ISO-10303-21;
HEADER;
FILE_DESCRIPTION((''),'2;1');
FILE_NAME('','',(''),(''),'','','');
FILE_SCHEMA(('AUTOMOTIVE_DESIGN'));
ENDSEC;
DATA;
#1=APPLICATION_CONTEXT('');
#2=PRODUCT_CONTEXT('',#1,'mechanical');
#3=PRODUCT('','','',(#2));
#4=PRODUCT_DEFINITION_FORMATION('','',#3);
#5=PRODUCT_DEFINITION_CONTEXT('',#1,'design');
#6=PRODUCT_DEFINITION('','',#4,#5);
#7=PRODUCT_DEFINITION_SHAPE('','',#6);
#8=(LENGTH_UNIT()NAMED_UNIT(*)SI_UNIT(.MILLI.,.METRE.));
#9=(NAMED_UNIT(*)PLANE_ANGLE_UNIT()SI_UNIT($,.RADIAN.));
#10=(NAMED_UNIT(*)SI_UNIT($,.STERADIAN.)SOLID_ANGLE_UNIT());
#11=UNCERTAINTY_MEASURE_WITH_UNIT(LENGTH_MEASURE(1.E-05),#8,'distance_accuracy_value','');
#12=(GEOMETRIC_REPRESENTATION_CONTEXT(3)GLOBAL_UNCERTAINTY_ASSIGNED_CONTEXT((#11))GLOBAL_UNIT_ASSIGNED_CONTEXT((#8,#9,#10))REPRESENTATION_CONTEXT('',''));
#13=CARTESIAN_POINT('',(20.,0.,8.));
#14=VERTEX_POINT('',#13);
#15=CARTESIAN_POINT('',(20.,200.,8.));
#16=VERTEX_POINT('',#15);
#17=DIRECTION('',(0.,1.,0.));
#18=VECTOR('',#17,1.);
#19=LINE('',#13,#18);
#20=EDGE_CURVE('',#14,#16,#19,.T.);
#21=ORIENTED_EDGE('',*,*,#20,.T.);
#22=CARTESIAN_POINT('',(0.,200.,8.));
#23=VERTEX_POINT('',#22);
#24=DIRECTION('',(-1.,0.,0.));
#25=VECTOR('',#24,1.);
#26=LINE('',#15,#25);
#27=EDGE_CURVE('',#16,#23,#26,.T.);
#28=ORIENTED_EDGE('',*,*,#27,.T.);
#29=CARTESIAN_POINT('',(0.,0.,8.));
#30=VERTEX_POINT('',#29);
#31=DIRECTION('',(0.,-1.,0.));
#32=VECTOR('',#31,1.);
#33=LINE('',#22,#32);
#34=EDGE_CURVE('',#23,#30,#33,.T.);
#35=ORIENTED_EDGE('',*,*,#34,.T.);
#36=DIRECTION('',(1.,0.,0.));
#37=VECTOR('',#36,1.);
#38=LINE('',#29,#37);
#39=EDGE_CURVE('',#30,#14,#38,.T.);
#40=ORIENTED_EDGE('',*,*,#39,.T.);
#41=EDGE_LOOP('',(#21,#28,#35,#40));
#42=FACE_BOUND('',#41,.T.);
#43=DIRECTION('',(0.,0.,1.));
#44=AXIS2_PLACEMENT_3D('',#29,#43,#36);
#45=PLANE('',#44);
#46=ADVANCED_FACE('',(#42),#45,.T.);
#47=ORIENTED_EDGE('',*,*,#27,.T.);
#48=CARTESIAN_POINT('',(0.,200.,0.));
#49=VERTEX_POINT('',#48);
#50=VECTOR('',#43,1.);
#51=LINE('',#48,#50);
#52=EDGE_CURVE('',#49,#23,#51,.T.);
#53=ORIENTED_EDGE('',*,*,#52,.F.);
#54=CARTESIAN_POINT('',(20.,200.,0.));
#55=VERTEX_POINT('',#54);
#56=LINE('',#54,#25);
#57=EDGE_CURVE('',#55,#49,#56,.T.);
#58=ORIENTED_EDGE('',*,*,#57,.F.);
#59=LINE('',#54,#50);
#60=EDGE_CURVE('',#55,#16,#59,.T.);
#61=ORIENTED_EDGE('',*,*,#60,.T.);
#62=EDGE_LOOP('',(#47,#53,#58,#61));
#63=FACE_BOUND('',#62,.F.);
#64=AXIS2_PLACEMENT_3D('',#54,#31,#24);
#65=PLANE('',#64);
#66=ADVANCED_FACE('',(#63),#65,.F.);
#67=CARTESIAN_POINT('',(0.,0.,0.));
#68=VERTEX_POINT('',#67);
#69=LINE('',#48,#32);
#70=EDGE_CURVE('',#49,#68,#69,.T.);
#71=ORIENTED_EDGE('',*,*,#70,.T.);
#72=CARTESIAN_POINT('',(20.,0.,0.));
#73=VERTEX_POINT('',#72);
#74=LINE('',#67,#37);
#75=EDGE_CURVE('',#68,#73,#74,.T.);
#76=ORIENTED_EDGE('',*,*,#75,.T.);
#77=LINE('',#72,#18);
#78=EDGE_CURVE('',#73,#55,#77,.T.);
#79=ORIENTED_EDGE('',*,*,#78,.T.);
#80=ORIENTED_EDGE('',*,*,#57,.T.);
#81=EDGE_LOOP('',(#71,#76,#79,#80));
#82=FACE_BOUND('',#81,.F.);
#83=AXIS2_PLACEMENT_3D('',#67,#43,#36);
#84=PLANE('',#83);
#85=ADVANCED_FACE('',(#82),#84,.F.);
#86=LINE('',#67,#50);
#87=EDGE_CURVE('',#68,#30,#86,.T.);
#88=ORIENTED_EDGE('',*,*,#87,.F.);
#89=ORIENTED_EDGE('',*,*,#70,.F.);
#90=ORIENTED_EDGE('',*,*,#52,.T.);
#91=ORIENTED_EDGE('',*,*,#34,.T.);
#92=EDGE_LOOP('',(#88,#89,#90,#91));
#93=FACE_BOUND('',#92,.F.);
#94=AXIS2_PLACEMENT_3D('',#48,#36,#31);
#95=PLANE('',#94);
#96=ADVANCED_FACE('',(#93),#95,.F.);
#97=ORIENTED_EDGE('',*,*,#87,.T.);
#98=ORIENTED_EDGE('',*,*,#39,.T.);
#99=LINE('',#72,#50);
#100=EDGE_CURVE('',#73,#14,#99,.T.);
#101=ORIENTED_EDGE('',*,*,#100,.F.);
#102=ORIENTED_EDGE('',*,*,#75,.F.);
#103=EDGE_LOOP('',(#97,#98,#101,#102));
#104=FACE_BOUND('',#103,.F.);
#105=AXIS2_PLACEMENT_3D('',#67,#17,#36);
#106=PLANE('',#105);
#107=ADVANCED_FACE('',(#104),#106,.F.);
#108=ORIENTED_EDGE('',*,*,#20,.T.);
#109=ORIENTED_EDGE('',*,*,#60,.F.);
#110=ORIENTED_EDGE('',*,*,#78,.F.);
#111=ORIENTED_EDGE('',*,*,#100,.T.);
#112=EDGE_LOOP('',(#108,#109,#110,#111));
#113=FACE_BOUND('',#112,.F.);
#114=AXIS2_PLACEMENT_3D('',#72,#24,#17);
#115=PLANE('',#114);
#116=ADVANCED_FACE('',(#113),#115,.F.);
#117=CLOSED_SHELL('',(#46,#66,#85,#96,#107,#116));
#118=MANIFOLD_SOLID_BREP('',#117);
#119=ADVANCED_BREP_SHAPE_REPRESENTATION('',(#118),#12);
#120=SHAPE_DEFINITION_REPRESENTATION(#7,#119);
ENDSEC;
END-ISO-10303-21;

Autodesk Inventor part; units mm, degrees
ref_plane "YZ Plane" through (0, 0, 0) normal (1, 0, 0) x (0, 1, 0)
ref_plane "XZ Plane" through (0, 0, 0) normal (0, 1, 0) x (-1, 0, 0)
ref_plane "XY Plane" through (0, 0, 0) normal (0, 0, 1) x (1, 0, 0)
sketch "Sketch1" plane through (0, 0, 0) normal (0, 0, 1) x (1, 0, 0)
  line L0 (0, 0) -> (20, 0)
  line L1 (20, 0) -> (20, 200)
  line L2 (20, 200) -> (0, 200)
  line L3 (0, 200) -> (0, 0)
  dimension "d0" = 20
  dimension "d1" = 200
extrude "Extrusion1" add sketch "Sketch1" along normal blind 8
properties part number "RayHeaderPlater"
